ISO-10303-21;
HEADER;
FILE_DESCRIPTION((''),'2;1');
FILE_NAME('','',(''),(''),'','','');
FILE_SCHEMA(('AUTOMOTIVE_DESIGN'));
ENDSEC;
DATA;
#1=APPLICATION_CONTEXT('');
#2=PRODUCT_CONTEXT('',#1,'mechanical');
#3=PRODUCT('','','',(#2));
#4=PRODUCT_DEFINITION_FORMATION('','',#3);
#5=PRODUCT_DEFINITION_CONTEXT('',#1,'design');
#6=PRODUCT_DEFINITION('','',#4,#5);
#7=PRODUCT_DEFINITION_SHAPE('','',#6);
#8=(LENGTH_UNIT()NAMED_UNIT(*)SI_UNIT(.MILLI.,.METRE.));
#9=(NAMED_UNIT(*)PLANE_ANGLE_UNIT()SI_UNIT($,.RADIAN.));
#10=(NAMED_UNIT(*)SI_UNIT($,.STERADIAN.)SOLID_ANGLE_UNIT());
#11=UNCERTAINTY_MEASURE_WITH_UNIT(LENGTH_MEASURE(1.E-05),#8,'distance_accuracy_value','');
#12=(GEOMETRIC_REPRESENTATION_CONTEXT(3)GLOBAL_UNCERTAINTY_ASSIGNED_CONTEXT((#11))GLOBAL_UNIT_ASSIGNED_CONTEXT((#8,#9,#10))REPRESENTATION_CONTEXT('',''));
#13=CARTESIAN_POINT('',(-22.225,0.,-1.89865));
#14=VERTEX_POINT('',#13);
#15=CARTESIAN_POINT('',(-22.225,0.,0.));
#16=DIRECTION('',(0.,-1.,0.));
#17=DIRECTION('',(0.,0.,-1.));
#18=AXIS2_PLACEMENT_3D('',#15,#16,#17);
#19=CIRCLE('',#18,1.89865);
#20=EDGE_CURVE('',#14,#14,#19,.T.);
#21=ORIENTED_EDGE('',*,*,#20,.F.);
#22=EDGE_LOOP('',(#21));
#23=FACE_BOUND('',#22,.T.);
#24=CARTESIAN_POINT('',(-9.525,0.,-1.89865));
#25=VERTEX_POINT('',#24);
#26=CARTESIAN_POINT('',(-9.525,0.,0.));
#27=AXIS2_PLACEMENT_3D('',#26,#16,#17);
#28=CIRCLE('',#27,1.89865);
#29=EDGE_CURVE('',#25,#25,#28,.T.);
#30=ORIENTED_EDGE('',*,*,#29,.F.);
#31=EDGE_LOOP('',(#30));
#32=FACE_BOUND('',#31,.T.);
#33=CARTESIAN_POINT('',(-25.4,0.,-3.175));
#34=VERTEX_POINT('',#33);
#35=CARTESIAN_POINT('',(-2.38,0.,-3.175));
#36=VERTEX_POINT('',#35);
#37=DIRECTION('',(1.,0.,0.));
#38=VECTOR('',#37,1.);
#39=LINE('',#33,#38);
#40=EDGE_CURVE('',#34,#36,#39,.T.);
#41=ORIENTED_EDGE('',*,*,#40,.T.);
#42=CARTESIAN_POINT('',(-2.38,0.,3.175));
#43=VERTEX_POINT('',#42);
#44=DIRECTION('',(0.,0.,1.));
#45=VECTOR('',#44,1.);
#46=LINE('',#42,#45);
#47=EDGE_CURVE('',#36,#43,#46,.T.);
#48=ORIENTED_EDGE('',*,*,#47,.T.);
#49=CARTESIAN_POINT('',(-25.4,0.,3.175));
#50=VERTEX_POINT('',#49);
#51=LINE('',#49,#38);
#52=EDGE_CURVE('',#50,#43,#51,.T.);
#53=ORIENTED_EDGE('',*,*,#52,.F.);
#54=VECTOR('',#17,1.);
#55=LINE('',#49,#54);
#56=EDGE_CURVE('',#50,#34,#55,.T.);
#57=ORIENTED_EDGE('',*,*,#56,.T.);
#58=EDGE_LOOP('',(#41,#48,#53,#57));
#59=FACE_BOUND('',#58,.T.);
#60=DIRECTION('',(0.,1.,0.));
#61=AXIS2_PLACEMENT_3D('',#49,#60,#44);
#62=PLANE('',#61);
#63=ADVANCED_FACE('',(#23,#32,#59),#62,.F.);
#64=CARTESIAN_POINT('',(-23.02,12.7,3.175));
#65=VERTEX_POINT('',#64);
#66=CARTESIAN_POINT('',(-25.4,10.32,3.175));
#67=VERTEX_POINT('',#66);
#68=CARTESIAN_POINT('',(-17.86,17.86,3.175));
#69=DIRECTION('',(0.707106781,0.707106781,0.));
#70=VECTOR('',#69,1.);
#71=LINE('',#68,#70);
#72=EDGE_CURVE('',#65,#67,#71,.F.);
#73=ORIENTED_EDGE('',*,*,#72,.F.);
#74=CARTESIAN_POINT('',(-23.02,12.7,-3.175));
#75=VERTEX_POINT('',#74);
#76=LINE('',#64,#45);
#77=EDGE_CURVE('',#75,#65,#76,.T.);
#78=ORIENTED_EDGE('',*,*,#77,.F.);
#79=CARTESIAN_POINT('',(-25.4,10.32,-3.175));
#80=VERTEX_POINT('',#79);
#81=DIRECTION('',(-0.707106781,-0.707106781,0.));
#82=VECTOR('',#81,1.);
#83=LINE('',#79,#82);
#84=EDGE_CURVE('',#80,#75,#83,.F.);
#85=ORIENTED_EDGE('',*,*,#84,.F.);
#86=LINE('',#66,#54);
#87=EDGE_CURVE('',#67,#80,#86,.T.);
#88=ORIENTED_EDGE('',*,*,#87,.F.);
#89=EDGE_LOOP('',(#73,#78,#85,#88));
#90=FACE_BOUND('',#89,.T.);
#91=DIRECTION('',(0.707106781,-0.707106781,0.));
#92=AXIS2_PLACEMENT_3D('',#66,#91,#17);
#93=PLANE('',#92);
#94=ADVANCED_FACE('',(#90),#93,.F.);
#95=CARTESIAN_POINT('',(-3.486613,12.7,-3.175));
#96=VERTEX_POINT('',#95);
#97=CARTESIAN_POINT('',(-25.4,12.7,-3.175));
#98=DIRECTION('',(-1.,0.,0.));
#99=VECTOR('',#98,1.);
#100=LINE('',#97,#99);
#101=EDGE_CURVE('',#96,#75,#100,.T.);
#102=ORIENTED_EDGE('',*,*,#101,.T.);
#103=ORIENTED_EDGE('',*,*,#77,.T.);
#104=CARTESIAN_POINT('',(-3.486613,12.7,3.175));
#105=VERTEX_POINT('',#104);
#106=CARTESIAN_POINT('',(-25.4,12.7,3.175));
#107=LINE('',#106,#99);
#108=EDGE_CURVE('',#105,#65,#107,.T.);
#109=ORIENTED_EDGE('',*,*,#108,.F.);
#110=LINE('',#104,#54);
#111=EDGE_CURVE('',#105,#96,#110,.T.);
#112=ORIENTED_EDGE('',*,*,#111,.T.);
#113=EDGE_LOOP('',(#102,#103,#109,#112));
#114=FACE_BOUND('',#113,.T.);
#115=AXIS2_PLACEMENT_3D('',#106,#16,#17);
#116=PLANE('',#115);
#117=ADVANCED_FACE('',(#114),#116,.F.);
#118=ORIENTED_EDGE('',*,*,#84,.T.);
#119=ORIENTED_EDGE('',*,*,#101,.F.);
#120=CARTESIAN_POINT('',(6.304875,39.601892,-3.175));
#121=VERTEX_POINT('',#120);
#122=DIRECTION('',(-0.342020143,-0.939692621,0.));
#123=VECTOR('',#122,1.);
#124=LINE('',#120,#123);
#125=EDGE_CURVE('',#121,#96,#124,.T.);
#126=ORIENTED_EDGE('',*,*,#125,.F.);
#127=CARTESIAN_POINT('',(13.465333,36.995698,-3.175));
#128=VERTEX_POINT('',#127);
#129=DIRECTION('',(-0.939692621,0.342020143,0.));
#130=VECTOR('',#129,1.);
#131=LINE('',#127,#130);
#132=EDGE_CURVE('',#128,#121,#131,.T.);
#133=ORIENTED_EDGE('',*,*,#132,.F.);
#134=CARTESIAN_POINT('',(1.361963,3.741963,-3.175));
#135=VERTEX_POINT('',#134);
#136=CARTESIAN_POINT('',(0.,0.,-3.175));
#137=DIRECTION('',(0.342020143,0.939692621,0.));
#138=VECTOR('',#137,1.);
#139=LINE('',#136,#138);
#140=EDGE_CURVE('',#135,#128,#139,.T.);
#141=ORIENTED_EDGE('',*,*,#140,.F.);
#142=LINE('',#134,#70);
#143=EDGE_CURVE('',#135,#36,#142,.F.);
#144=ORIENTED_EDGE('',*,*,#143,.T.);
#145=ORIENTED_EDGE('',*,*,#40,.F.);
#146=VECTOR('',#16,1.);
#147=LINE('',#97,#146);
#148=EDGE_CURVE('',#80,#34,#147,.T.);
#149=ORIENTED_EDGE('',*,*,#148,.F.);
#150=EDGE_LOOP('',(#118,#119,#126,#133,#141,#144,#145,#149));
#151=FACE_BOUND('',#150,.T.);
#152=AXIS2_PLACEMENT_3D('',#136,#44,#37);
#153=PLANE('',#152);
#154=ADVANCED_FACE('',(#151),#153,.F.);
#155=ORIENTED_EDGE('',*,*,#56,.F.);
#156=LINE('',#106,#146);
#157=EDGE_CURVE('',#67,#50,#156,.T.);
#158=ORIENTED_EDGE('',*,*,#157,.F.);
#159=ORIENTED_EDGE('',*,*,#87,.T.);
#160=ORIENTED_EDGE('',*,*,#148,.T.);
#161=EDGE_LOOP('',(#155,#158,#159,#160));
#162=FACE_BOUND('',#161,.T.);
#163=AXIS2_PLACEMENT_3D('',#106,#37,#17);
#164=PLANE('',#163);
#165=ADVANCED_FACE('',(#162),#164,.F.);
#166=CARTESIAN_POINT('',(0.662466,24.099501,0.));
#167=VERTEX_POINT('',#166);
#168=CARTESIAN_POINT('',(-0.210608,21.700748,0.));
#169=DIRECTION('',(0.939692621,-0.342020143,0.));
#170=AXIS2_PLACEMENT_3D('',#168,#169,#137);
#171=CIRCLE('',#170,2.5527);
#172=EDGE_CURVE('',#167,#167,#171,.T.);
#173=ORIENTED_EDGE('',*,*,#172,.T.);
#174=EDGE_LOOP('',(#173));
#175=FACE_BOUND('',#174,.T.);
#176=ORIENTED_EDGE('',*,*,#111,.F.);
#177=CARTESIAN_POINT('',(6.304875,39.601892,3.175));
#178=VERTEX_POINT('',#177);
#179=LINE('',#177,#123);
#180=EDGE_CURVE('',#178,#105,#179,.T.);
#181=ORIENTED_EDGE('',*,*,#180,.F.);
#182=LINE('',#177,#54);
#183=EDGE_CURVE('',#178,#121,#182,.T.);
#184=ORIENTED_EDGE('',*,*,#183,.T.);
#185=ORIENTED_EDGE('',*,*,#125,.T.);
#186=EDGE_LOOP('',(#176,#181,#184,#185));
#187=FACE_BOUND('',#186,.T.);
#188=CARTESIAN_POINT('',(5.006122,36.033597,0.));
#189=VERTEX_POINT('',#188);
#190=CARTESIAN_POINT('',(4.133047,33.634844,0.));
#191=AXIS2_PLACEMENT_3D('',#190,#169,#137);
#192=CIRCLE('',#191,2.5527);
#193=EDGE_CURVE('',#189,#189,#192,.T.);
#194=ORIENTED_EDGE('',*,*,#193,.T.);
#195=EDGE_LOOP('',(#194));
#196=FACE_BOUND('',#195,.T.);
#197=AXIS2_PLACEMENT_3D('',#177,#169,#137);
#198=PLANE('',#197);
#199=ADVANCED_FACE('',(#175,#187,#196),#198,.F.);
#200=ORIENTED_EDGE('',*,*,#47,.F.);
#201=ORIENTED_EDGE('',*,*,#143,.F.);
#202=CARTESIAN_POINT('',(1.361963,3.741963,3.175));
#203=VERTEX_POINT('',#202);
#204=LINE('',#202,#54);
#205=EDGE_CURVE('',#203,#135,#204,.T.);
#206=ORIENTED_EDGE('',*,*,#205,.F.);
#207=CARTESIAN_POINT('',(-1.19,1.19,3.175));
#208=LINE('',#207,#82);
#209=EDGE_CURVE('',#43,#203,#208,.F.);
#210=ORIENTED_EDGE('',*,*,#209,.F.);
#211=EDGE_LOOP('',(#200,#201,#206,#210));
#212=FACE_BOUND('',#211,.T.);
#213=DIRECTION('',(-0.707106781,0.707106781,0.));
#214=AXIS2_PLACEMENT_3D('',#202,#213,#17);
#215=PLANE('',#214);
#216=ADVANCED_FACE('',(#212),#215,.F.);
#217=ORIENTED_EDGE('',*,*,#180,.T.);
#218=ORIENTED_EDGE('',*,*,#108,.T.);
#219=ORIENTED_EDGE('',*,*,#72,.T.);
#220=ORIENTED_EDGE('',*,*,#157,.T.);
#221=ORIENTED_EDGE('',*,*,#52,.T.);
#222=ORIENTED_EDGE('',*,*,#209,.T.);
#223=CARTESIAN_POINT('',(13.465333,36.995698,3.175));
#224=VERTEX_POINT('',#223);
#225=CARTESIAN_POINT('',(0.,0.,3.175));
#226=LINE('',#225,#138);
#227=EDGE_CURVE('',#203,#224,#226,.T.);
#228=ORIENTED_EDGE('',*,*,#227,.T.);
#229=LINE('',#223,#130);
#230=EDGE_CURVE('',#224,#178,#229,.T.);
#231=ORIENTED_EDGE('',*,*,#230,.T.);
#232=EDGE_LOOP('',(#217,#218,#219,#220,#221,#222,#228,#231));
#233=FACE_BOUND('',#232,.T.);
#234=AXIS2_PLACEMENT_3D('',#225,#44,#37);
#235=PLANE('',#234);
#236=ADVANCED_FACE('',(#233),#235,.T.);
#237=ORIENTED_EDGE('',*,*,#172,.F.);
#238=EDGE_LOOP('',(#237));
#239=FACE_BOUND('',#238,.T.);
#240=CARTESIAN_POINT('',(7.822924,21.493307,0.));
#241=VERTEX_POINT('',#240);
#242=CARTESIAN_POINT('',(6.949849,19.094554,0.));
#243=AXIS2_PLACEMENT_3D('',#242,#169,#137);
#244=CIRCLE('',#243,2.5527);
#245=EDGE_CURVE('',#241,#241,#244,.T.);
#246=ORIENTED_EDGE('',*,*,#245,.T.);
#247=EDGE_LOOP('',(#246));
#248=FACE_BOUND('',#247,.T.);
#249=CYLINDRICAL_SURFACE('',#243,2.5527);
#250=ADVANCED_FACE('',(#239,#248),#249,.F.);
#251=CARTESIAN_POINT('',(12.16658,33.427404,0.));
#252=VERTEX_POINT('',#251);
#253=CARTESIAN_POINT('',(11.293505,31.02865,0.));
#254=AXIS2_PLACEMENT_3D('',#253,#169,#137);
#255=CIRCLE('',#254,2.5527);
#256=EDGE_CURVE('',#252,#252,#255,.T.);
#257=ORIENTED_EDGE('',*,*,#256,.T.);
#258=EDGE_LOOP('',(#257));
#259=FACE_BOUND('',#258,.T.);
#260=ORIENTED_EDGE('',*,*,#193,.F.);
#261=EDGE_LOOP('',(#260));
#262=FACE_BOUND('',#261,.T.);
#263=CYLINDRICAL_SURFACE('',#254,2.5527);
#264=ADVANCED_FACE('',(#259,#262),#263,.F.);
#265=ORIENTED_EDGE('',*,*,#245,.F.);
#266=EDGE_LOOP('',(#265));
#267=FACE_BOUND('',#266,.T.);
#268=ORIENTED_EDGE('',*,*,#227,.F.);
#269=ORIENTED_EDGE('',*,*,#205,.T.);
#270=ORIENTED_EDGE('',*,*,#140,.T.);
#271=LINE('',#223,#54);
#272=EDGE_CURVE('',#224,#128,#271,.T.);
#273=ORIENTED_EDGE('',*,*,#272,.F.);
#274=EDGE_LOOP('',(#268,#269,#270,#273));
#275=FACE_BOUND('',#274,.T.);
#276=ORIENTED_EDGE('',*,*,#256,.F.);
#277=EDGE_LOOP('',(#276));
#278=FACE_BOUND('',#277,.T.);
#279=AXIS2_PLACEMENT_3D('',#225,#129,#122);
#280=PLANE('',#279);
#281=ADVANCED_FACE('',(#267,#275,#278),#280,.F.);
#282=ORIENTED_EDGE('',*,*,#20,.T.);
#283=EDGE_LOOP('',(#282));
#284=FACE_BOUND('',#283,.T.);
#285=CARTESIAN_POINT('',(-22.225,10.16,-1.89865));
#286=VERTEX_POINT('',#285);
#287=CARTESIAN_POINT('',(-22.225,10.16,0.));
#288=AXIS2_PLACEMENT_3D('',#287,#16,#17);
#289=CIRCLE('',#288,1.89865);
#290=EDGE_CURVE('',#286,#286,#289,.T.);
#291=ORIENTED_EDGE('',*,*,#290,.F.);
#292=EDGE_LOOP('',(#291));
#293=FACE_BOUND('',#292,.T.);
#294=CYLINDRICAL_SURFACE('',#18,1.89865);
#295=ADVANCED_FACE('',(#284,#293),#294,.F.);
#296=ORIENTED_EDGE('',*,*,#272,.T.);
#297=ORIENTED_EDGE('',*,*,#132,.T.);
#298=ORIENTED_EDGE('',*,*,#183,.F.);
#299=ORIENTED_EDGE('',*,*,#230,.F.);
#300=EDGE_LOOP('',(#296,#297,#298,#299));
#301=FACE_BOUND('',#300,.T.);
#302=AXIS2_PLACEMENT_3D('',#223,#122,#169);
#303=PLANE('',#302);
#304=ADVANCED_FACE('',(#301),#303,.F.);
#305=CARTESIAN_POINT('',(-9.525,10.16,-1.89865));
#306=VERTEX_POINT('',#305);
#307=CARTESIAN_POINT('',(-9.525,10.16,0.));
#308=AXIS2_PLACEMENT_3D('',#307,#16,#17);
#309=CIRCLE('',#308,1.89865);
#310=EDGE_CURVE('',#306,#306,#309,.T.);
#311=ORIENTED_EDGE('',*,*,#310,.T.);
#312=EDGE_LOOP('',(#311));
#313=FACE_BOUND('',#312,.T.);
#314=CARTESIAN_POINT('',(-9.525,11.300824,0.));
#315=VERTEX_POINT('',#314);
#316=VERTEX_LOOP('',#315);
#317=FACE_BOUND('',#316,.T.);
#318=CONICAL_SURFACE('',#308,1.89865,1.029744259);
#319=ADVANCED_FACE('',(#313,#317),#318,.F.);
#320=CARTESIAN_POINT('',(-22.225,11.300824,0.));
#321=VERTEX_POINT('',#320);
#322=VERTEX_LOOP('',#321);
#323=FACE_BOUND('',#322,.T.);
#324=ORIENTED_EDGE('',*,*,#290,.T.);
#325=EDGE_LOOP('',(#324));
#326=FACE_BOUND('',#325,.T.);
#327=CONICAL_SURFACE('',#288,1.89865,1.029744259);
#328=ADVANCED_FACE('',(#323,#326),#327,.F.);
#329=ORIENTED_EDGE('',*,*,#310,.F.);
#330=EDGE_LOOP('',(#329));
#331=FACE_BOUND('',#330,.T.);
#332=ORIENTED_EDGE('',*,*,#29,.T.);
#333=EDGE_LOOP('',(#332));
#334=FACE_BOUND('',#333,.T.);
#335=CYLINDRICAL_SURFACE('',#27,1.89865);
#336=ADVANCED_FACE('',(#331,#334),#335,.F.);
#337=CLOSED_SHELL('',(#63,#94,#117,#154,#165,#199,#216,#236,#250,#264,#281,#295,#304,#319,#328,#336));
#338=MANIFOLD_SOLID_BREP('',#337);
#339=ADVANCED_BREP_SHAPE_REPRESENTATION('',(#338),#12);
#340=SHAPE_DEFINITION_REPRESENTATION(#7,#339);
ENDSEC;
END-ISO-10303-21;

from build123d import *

# Parameters (mm, degrees)
BOSS_EXTRUDE1_DEPTH            = 3.175
TAP_DRILL_FOR_10_24_TAP1_D     = 3.7973
TAP_DRILL_FOR_10_24_TAP1_DEPTH = 10.16
TAP_DRILL_FOR_10_24_TAP1_TIP   = 1.140824014
CHAMFER1_SIZE                  = 2.38
CHAMFER1_EDGE_2_SIZE2          = 3.982114101
CHAMFER1_EDGE_2_SIZE           = 2.38
F_10_CLEARANCE_HOLE1_D         = 5.1054
F_10_CLEARANCE_HOLE1_DEPTH     = 12.7
F_10_CLEARANCE_HOLE1_TIP       = 1.533816902


with BuildPart() as part:
    # Sketch1 → Boss-Extrude1 (new body, symmetric)
    with BuildSketch(Plane.XY):
        Polygon((-25.4, 0), (0, 0), (13.465333043, 36.99569848), (6.304875272, 39.601891972), (-3.486612651, 12.7), (-25.4, 12.7), align=None)
    extrude(amount=BOSS_EXTRUDE1_DEPTH, both=True)

    # Tap Drill for #10-24 Tap1
    with Locations(Plane(origin=(0, 0, 0), x_dir=(-1, 0, 0), z_dir=(0, -1, 0))):
        with Locations((22.225, 0), (9.525, 0)):
            Hole(TAP_DRILL_FOR_10_24_TAP1_D / 2, depth=TAP_DRILL_FOR_10_24_TAP1_DEPTH)
            with Locations((0, 0, -(TAP_DRILL_FOR_10_24_TAP1_DEPTH + TAP_DRILL_FOR_10_24_TAP1_TIP / 2))):  # 118° drill point
                Cone(0, TAP_DRILL_FOR_10_24_TAP1_D / 2, TAP_DRILL_FOR_10_24_TAP1_TIP, mode=Mode.SUBTRACT)

    # Chamfer1
    chamfer1_edges = [part.edges().sort_by_distance(p)[0] for p in [
        (-25.4, 12.7, 0),
    ]]
    chamfer(chamfer1_edges, length=CHAMFER1_SIZE)

    # Chamfer1 edge 2
    chamfer1_edge_2_edges = [part.edges().sort_by_distance(p)[0] for p in [
        (0, 0, 0),
    ]]
    chamfer(chamfer1_edge_2_edges, length=CHAMFER1_EDGE_2_SIZE, length2=CHAMFER1_EDGE_2_SIZE2)

    # #10 Clearance Hole1
    with Locations(Plane(origin=(0, 0, 0), x_dir=(0, 0, -1), z_dir=(0.939692621, -0.342020143, 0))):
        with Locations((0, 33.02), (0, 20.32)):
            Hole(F_10_CLEARANCE_HOLE1_D / 2, depth=F_10_CLEARANCE_HOLE1_DEPTH)
            with Locations((0, 0, -(F_10_CLEARANCE_HOLE1_DEPTH + F_10_CLEARANCE_HOLE1_TIP / 2))):  # 118° drill point
                Cone(0, F_10_CLEARANCE_HOLE1_D / 2, F_10_CLEARANCE_HOLE1_TIP, mode=Mode.SUBTRACT)


solid = part.part
